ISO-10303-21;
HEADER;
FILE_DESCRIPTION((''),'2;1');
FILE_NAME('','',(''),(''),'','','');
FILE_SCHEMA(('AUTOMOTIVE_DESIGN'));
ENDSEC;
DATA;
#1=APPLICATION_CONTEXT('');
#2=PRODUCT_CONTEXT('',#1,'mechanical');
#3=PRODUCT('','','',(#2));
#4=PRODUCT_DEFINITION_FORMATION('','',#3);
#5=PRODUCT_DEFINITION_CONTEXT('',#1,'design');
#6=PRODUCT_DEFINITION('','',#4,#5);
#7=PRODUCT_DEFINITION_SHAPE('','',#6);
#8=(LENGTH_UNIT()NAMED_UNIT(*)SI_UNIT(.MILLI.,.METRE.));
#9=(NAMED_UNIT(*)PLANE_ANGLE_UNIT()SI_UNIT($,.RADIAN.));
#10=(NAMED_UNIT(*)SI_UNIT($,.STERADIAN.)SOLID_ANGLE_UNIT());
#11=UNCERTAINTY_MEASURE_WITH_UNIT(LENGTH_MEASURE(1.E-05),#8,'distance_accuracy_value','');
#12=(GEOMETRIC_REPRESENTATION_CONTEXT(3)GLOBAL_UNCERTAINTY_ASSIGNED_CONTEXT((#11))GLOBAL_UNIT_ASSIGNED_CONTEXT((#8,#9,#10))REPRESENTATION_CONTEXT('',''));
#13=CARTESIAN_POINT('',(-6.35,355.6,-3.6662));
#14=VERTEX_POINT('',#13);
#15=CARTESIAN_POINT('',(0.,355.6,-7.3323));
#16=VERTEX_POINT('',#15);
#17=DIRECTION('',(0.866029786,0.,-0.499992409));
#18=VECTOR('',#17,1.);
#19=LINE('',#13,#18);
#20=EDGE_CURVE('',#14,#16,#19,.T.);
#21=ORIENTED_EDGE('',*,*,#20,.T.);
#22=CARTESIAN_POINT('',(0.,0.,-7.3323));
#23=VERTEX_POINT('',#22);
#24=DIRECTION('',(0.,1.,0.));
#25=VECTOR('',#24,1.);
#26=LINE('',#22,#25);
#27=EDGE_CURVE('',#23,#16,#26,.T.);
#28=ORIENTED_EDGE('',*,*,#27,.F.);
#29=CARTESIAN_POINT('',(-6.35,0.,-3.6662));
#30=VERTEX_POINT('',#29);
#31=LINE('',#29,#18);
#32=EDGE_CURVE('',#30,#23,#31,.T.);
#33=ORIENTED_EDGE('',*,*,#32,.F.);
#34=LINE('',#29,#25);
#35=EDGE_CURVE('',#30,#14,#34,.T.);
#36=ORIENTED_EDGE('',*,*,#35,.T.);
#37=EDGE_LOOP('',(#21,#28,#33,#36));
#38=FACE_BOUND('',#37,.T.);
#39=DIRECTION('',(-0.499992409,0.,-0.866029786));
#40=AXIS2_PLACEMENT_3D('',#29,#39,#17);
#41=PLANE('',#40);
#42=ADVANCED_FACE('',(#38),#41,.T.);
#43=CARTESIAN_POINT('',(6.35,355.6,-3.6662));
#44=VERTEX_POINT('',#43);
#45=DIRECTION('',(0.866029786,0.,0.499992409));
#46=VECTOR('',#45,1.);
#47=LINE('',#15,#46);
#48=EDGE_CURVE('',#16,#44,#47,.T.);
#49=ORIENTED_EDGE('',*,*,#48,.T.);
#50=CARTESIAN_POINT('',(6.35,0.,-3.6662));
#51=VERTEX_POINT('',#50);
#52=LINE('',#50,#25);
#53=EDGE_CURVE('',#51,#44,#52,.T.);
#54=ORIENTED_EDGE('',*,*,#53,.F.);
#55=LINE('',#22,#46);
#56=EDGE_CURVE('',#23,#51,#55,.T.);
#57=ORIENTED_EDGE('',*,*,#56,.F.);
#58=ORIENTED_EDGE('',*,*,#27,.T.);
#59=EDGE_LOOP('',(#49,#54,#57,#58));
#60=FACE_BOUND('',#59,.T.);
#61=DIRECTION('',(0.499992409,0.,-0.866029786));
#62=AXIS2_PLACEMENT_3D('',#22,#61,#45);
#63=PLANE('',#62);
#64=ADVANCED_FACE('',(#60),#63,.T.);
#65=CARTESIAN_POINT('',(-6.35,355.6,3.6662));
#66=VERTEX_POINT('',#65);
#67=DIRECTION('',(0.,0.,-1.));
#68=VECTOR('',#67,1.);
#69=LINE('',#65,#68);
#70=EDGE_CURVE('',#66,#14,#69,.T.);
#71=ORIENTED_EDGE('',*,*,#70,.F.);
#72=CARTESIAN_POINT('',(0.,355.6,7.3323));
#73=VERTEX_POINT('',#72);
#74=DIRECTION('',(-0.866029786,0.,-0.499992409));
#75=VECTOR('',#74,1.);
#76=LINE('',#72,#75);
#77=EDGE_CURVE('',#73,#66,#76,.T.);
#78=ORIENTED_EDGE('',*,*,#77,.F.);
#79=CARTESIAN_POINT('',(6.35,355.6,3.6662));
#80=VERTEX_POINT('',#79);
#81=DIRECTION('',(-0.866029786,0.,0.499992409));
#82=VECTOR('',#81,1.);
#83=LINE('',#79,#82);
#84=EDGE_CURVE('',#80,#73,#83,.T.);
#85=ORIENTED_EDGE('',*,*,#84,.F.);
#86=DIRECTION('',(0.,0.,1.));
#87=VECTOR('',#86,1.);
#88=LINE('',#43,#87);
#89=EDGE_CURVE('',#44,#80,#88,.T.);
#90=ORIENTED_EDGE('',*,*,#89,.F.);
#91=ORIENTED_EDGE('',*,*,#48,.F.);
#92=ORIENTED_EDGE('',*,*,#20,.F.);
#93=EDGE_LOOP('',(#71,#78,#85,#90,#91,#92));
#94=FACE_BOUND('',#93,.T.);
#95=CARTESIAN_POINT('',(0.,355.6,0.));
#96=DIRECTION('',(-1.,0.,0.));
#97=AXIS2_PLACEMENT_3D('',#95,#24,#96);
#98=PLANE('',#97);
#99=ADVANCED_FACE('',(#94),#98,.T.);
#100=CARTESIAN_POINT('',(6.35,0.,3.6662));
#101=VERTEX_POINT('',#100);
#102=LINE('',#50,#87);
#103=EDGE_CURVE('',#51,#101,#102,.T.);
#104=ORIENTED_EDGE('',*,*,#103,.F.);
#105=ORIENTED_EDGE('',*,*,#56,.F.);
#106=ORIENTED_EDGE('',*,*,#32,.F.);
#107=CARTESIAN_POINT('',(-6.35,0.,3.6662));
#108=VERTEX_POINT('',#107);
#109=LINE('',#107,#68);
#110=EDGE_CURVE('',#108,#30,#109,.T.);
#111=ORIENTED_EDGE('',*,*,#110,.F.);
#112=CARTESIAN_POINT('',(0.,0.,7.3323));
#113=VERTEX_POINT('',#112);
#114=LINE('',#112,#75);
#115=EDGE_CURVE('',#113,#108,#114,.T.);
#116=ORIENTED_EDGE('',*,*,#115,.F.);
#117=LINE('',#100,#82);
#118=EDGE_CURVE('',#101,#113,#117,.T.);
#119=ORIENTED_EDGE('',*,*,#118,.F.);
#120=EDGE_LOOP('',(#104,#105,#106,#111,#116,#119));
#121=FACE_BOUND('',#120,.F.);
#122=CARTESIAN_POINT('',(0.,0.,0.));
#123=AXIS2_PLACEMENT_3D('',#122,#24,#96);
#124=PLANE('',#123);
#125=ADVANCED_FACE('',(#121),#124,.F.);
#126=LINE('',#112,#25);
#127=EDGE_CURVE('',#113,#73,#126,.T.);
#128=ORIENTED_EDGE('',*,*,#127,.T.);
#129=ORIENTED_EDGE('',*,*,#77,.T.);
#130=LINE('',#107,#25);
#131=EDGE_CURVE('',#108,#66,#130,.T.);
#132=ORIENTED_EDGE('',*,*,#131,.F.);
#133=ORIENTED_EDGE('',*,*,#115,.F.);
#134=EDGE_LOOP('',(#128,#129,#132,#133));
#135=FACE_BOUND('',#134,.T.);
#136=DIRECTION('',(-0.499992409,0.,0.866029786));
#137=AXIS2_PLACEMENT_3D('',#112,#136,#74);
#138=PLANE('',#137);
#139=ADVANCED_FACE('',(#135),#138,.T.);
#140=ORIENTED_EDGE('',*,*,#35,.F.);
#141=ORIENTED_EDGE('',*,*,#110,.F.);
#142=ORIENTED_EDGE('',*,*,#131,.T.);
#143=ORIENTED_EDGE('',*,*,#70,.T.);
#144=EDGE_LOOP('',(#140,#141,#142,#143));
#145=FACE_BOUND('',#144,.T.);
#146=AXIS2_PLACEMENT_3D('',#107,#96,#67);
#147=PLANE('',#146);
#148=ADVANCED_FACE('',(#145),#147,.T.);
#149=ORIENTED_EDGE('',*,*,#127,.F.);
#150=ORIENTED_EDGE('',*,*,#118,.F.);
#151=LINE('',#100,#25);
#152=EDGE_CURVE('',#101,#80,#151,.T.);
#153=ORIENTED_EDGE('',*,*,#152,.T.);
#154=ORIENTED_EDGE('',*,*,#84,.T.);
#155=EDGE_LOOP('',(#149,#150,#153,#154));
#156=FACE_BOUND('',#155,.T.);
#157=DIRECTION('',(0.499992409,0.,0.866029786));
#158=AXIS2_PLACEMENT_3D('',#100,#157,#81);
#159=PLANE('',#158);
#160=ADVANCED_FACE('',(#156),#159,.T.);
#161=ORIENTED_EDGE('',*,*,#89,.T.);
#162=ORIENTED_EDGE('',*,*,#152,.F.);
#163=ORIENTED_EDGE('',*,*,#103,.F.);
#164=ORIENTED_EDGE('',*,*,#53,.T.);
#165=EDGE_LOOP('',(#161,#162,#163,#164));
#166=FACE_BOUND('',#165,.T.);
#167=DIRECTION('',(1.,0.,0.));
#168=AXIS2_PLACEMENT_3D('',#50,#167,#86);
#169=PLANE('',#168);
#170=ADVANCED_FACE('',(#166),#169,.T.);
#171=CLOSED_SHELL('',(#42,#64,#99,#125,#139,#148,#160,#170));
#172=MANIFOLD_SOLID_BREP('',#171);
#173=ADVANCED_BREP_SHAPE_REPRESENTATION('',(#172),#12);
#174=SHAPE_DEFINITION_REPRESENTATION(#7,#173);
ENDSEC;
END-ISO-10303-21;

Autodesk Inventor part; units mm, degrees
ref_plane "YZ Plane" through (0, 0, 0) normal (1, 0, 0) x (0, 1, 0)
ref_plane "XZ Plane" through (0, 0, 0) normal (0, 1, 0) x (-1, 0, 0)
ref_plane "XY Plane" through (0, 0, 0) normal (0, 0, 1) x (1, 0, 0)
sketch "Sketch1" plane through (0, 0, 0) normal (0, 1, 0) x (-1, 0, 0)
  line L0 (0, -7.3323) -> (-6.35, -3.6662)
  line L1 (-6.35, -3.6662) -> (-6.35, 3.6662)
  line L2 (-6.35, 3.6662) -> (0, 7.3323)
  line L3 (0, 7.3323) -> (6.35, 3.6662)
  line L4 (6.35, 3.6662) -> (6.35, -3.6662)
  line L5 (6.35, -3.6662) -> (0, -7.3323)
  point P0 (0, 0)
  point P1 (0, 0)
  dimension "d0" = 12.7
extrude "Extrusion1" add sketch "Sketch1" along normal blind 355.6
properties part number "rod3" material "Steel"
